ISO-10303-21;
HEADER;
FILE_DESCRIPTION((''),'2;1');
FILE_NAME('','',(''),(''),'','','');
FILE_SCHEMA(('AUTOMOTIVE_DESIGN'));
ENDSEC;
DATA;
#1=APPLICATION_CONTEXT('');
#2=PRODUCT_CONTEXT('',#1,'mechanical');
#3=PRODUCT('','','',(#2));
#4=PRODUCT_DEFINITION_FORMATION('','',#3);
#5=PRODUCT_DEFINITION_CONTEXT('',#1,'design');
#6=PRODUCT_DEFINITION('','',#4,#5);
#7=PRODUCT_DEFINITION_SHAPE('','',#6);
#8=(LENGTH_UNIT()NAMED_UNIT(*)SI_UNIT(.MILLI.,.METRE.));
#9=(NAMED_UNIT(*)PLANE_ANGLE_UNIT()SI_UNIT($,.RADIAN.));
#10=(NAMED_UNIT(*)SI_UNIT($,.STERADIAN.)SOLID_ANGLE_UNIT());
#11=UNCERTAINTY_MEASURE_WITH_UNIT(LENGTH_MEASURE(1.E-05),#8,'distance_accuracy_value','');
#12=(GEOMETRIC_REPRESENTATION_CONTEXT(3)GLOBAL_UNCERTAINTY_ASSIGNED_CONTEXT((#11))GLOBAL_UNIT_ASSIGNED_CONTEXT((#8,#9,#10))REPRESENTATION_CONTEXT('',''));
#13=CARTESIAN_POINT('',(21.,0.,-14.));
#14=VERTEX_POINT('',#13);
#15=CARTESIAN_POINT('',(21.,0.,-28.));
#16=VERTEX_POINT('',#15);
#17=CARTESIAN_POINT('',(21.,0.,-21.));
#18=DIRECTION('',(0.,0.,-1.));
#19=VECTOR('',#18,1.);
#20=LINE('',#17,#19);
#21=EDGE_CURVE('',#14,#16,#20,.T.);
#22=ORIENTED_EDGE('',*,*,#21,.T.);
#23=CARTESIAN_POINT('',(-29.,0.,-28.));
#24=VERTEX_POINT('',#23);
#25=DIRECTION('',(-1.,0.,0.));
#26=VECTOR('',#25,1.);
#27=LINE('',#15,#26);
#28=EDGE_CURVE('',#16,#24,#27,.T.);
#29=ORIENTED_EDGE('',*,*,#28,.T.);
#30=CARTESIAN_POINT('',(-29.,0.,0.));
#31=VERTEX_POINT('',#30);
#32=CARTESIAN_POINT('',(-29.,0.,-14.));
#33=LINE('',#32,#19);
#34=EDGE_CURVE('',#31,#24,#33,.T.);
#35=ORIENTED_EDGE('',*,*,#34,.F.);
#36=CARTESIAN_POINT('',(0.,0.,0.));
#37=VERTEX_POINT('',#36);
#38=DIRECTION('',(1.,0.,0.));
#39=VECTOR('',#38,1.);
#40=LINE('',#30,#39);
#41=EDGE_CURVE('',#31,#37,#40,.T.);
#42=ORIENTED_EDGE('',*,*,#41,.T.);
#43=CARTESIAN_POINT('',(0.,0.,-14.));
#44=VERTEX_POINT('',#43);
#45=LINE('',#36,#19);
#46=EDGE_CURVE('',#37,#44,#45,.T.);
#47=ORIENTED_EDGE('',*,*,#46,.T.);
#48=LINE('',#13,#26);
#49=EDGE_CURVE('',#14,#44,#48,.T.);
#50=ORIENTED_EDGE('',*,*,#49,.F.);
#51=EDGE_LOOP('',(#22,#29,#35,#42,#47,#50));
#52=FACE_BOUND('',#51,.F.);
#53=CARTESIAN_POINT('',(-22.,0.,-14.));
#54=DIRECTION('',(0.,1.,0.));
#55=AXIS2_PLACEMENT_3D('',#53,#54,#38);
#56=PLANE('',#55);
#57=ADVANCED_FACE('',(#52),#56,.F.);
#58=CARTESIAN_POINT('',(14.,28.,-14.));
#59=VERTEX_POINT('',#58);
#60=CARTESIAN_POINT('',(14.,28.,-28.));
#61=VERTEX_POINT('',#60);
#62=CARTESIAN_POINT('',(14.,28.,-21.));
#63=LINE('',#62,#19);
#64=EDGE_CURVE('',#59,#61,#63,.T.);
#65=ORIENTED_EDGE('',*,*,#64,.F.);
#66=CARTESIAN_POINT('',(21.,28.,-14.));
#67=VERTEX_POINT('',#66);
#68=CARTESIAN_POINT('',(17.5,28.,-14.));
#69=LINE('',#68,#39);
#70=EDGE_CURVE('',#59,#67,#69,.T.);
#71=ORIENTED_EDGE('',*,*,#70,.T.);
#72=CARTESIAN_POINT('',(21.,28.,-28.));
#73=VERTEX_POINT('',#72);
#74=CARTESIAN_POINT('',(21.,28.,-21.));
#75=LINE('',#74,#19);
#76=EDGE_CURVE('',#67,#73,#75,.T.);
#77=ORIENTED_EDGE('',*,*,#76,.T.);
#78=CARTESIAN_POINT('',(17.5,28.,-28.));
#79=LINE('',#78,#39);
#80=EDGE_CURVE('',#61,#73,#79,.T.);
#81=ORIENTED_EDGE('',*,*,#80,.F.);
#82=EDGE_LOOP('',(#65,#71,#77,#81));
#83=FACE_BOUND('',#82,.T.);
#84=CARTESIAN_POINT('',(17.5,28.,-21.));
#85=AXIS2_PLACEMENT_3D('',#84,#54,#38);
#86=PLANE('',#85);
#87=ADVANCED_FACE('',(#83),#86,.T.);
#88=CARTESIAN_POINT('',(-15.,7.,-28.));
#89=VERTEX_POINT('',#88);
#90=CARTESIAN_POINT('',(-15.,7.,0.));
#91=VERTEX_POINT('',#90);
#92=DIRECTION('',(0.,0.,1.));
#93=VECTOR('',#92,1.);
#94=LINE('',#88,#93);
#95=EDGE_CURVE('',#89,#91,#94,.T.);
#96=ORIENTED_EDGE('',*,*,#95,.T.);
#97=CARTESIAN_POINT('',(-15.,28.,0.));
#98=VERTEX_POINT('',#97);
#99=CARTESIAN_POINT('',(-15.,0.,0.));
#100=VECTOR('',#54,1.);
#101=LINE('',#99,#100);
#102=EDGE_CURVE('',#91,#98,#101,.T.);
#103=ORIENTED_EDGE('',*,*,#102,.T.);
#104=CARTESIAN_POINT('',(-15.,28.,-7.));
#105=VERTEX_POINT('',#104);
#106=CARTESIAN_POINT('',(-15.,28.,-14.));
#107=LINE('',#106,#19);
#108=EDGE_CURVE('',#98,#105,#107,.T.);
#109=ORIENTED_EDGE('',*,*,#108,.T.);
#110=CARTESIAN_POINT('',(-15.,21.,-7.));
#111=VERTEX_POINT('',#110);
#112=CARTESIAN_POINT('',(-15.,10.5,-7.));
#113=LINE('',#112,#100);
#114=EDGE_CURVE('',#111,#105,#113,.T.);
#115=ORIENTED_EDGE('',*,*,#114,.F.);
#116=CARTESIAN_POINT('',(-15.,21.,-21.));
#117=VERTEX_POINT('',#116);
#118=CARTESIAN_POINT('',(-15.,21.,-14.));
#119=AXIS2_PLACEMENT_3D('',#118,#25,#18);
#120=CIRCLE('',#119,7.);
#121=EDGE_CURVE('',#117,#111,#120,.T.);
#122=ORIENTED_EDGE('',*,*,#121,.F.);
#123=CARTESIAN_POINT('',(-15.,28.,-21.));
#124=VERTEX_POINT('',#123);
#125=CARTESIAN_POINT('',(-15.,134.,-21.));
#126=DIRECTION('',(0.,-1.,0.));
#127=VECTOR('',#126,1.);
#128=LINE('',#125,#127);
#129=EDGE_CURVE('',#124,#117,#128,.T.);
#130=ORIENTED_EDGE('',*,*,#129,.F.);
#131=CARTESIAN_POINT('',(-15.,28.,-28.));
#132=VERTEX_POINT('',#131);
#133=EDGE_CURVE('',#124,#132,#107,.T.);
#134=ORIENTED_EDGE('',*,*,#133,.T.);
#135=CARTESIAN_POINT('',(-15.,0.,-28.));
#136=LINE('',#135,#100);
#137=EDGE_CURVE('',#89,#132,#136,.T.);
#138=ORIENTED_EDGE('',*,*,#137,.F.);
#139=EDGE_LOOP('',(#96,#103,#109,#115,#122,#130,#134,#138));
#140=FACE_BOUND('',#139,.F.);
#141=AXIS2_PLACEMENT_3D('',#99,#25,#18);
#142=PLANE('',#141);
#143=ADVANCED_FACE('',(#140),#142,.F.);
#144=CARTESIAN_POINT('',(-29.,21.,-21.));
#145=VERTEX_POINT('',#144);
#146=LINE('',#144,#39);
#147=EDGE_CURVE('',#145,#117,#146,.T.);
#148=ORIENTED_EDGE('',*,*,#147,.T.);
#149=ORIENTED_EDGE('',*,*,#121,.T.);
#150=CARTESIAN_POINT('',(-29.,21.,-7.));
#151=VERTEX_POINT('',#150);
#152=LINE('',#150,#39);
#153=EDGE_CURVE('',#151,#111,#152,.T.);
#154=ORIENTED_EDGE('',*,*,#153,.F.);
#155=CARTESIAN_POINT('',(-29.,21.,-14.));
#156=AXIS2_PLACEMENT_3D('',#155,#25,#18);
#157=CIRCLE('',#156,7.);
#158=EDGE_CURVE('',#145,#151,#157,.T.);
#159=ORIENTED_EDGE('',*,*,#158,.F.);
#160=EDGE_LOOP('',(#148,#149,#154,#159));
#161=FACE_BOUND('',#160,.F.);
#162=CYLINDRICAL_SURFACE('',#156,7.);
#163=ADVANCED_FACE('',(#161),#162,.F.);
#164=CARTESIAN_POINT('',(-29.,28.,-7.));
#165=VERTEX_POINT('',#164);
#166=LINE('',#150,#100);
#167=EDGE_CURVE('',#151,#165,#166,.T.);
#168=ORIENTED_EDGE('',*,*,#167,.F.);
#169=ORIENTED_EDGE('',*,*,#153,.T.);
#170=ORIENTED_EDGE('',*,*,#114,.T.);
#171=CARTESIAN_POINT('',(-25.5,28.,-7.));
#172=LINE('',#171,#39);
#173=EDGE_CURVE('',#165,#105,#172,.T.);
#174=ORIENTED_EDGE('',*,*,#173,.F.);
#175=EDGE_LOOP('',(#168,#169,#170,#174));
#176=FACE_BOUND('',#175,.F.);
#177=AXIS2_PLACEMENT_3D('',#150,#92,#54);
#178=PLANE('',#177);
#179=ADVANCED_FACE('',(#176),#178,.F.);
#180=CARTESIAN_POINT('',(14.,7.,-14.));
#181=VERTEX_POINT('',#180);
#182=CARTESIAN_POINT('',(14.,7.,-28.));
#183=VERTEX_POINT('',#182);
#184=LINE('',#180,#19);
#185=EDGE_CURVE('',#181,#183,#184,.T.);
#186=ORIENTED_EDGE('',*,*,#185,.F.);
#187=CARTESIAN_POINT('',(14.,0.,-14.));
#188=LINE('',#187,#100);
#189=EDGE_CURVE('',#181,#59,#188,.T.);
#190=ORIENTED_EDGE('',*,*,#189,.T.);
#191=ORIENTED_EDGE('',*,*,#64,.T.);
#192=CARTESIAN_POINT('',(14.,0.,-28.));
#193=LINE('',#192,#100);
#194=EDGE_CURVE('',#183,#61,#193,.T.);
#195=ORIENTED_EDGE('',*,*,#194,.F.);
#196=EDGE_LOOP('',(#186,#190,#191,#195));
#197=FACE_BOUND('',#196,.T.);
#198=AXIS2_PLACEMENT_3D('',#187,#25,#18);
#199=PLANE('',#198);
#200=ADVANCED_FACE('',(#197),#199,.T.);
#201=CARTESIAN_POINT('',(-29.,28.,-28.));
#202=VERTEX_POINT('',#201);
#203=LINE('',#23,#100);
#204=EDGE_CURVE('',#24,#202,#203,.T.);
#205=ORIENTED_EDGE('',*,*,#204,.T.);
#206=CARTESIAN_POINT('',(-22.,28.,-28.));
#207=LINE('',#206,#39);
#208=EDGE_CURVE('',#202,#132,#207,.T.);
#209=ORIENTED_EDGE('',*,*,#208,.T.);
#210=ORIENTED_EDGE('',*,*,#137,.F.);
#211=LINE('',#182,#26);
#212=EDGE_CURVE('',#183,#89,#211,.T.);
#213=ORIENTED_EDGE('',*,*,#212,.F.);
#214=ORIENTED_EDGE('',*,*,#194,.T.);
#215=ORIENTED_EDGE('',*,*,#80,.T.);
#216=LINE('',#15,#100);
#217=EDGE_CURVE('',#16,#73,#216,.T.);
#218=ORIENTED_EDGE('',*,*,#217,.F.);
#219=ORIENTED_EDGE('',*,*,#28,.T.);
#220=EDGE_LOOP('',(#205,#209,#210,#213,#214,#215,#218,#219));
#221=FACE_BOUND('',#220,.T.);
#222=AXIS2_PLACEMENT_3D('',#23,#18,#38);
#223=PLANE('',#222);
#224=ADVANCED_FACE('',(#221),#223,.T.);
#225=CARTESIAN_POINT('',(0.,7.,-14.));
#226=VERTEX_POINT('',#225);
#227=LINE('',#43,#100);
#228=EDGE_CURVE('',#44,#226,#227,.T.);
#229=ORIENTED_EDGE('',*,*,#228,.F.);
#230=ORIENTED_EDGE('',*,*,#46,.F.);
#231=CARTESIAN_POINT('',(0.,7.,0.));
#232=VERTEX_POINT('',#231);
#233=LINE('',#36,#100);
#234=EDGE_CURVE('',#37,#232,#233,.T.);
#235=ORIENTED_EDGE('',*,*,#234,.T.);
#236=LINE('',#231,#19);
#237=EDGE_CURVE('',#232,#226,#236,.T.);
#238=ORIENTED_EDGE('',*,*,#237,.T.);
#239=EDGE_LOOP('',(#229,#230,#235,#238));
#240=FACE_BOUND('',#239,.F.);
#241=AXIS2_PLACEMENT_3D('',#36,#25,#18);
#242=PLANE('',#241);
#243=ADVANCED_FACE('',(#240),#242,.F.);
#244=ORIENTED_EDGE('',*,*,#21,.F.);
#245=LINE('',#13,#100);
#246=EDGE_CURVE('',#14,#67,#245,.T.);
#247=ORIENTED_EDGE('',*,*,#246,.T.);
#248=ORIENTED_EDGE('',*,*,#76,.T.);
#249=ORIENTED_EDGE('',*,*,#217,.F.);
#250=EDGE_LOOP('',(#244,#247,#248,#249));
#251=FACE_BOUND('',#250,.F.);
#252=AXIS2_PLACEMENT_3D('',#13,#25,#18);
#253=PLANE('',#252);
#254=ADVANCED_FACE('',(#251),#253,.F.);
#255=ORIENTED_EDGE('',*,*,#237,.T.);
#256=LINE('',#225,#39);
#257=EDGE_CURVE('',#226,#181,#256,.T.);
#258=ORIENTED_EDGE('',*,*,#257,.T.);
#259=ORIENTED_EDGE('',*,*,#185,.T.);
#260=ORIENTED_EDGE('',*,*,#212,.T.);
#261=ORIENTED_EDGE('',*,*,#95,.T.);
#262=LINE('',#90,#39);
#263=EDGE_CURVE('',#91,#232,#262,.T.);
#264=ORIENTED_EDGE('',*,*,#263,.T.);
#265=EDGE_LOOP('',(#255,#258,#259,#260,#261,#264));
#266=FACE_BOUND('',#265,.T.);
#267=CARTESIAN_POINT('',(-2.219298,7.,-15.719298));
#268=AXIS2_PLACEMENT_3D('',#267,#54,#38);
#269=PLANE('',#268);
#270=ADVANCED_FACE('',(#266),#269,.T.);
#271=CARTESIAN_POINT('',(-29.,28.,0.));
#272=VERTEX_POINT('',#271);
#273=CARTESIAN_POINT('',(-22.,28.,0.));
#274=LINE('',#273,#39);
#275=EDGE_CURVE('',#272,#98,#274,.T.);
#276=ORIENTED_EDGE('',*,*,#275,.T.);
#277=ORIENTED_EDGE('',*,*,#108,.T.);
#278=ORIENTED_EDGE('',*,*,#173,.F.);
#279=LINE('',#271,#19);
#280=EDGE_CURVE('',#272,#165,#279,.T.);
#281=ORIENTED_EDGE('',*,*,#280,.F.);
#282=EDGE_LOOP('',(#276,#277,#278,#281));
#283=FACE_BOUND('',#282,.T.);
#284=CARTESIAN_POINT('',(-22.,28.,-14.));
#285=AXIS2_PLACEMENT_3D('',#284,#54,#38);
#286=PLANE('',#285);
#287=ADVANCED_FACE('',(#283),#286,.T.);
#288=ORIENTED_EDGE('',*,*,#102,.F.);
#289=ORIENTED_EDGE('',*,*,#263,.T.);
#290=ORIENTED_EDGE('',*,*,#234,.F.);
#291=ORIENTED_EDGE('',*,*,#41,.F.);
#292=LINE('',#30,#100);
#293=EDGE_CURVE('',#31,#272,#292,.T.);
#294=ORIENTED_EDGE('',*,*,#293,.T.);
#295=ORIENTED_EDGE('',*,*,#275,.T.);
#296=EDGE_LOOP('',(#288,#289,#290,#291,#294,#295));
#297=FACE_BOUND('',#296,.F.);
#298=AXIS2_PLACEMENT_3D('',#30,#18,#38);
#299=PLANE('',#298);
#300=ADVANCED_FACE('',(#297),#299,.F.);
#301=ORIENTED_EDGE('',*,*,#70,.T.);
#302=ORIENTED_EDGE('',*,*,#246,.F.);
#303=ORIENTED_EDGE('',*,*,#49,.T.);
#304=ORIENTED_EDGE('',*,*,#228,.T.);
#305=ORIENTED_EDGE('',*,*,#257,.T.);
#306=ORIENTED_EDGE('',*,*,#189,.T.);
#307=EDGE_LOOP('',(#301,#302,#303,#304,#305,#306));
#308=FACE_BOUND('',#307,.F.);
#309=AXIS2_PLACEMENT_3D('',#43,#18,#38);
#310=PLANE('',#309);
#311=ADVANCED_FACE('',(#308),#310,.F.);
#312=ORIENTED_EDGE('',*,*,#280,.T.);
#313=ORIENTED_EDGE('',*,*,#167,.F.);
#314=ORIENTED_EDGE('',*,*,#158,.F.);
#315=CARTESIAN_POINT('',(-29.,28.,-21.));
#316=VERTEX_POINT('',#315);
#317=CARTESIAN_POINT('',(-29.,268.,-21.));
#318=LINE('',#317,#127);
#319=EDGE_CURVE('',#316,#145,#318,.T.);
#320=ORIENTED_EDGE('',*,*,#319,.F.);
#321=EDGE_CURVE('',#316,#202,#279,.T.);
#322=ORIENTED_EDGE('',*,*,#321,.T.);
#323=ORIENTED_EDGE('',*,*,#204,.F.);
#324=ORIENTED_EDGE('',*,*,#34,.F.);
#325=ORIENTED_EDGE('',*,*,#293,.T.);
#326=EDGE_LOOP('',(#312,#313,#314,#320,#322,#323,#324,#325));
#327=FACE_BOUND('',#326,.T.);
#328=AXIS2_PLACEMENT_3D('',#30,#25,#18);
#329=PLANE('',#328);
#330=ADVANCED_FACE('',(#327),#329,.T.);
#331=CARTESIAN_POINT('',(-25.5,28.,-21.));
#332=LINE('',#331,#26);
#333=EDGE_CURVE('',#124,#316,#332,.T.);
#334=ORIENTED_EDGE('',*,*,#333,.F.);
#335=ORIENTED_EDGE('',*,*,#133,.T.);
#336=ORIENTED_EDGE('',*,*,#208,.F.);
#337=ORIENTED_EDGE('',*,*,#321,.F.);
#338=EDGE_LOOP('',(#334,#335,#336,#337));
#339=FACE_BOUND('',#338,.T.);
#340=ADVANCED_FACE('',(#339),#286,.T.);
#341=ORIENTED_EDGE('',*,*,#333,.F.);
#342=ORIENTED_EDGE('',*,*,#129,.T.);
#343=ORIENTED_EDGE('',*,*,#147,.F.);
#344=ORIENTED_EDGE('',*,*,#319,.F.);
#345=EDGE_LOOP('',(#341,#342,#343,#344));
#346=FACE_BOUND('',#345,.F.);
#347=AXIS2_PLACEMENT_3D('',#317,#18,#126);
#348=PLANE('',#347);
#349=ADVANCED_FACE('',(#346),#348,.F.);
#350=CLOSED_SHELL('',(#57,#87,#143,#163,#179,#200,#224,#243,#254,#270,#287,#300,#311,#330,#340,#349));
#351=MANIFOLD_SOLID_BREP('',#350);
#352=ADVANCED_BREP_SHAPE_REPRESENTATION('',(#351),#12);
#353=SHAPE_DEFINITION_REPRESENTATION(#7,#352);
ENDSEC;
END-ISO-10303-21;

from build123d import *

# Parameters (mm, degrees)
BOSS_EXTRUDE1_DEPTH     = 7
SKETCH1_3_W             = 14
SKETCH1_3_H             = 28
SKETCH1_3_W_2           = 7
SKETCH1_3_H_2           = 14
BOSS_EXTRUDE2_DEPTH     = 28
CUT_EXTRUDE1_DEPTH      = 1
CUT_EXTRUDE1_DEPTH_BACK = 28


with BuildPart() as part:
    # Sketch1 → Boss-Extrude1 (new body)
    with BuildSketch(Plane(origin=(0, 0, 0), x_dir=(1, 0, 0), z_dir=(0, 1, 0))):
        Polygon((-15, 0), (0, 0), (0, 14), (14, 14), (14, 28), (-15, 28), align=None)
    extrude(amount=BOSS_EXTRUDE1_DEPTH)

    # Sketch1<3> → Boss-Extrude2 (add)
    with BuildSketch(Plane(origin=(0, 0, 0), x_dir=(1, 0, 0), z_dir=(0, 1, 0))):
        with Locations((-22, 14)):
            Rectangle(SKETCH1_3_W, SKETCH1_3_H)
        with Locations((17.5, 21)):
            Rectangle(SKETCH1_3_W_2, SKETCH1_3_H_2)
    extrude(amount=BOSS_EXTRUDE2_DEPTH)

    # Sketch2 → Cut-Extrude1 (cut, two sides)
    with BuildSketch(Plane.ZY.offset(29)) as cut_extrude1_sk:
        with BuildLine():
            Line((-21, 108), (-21, 28))
            Line((-21, 28), (-21, 21))
            ThreePointArc((-21, 21), (-14, 14), (-7, 21))
            Line((-7, 21), (-7, 28))
            Line((-7, 28), (-7, 108))
            Line((-7, 108), (-7, 268))
            Line((-7, 268), (-21, 268))
            Line((-21, 268), (-21, 108))
        make_face()
    extrude(amount=CUT_EXTRUDE1_DEPTH, mode=Mode.SUBTRACT)
    extrude(cut_extrude1_sk.sketch, amount=-CUT_EXTRUDE1_DEPTH_BACK, mode=Mode.SUBTRACT)


solid = part.part
